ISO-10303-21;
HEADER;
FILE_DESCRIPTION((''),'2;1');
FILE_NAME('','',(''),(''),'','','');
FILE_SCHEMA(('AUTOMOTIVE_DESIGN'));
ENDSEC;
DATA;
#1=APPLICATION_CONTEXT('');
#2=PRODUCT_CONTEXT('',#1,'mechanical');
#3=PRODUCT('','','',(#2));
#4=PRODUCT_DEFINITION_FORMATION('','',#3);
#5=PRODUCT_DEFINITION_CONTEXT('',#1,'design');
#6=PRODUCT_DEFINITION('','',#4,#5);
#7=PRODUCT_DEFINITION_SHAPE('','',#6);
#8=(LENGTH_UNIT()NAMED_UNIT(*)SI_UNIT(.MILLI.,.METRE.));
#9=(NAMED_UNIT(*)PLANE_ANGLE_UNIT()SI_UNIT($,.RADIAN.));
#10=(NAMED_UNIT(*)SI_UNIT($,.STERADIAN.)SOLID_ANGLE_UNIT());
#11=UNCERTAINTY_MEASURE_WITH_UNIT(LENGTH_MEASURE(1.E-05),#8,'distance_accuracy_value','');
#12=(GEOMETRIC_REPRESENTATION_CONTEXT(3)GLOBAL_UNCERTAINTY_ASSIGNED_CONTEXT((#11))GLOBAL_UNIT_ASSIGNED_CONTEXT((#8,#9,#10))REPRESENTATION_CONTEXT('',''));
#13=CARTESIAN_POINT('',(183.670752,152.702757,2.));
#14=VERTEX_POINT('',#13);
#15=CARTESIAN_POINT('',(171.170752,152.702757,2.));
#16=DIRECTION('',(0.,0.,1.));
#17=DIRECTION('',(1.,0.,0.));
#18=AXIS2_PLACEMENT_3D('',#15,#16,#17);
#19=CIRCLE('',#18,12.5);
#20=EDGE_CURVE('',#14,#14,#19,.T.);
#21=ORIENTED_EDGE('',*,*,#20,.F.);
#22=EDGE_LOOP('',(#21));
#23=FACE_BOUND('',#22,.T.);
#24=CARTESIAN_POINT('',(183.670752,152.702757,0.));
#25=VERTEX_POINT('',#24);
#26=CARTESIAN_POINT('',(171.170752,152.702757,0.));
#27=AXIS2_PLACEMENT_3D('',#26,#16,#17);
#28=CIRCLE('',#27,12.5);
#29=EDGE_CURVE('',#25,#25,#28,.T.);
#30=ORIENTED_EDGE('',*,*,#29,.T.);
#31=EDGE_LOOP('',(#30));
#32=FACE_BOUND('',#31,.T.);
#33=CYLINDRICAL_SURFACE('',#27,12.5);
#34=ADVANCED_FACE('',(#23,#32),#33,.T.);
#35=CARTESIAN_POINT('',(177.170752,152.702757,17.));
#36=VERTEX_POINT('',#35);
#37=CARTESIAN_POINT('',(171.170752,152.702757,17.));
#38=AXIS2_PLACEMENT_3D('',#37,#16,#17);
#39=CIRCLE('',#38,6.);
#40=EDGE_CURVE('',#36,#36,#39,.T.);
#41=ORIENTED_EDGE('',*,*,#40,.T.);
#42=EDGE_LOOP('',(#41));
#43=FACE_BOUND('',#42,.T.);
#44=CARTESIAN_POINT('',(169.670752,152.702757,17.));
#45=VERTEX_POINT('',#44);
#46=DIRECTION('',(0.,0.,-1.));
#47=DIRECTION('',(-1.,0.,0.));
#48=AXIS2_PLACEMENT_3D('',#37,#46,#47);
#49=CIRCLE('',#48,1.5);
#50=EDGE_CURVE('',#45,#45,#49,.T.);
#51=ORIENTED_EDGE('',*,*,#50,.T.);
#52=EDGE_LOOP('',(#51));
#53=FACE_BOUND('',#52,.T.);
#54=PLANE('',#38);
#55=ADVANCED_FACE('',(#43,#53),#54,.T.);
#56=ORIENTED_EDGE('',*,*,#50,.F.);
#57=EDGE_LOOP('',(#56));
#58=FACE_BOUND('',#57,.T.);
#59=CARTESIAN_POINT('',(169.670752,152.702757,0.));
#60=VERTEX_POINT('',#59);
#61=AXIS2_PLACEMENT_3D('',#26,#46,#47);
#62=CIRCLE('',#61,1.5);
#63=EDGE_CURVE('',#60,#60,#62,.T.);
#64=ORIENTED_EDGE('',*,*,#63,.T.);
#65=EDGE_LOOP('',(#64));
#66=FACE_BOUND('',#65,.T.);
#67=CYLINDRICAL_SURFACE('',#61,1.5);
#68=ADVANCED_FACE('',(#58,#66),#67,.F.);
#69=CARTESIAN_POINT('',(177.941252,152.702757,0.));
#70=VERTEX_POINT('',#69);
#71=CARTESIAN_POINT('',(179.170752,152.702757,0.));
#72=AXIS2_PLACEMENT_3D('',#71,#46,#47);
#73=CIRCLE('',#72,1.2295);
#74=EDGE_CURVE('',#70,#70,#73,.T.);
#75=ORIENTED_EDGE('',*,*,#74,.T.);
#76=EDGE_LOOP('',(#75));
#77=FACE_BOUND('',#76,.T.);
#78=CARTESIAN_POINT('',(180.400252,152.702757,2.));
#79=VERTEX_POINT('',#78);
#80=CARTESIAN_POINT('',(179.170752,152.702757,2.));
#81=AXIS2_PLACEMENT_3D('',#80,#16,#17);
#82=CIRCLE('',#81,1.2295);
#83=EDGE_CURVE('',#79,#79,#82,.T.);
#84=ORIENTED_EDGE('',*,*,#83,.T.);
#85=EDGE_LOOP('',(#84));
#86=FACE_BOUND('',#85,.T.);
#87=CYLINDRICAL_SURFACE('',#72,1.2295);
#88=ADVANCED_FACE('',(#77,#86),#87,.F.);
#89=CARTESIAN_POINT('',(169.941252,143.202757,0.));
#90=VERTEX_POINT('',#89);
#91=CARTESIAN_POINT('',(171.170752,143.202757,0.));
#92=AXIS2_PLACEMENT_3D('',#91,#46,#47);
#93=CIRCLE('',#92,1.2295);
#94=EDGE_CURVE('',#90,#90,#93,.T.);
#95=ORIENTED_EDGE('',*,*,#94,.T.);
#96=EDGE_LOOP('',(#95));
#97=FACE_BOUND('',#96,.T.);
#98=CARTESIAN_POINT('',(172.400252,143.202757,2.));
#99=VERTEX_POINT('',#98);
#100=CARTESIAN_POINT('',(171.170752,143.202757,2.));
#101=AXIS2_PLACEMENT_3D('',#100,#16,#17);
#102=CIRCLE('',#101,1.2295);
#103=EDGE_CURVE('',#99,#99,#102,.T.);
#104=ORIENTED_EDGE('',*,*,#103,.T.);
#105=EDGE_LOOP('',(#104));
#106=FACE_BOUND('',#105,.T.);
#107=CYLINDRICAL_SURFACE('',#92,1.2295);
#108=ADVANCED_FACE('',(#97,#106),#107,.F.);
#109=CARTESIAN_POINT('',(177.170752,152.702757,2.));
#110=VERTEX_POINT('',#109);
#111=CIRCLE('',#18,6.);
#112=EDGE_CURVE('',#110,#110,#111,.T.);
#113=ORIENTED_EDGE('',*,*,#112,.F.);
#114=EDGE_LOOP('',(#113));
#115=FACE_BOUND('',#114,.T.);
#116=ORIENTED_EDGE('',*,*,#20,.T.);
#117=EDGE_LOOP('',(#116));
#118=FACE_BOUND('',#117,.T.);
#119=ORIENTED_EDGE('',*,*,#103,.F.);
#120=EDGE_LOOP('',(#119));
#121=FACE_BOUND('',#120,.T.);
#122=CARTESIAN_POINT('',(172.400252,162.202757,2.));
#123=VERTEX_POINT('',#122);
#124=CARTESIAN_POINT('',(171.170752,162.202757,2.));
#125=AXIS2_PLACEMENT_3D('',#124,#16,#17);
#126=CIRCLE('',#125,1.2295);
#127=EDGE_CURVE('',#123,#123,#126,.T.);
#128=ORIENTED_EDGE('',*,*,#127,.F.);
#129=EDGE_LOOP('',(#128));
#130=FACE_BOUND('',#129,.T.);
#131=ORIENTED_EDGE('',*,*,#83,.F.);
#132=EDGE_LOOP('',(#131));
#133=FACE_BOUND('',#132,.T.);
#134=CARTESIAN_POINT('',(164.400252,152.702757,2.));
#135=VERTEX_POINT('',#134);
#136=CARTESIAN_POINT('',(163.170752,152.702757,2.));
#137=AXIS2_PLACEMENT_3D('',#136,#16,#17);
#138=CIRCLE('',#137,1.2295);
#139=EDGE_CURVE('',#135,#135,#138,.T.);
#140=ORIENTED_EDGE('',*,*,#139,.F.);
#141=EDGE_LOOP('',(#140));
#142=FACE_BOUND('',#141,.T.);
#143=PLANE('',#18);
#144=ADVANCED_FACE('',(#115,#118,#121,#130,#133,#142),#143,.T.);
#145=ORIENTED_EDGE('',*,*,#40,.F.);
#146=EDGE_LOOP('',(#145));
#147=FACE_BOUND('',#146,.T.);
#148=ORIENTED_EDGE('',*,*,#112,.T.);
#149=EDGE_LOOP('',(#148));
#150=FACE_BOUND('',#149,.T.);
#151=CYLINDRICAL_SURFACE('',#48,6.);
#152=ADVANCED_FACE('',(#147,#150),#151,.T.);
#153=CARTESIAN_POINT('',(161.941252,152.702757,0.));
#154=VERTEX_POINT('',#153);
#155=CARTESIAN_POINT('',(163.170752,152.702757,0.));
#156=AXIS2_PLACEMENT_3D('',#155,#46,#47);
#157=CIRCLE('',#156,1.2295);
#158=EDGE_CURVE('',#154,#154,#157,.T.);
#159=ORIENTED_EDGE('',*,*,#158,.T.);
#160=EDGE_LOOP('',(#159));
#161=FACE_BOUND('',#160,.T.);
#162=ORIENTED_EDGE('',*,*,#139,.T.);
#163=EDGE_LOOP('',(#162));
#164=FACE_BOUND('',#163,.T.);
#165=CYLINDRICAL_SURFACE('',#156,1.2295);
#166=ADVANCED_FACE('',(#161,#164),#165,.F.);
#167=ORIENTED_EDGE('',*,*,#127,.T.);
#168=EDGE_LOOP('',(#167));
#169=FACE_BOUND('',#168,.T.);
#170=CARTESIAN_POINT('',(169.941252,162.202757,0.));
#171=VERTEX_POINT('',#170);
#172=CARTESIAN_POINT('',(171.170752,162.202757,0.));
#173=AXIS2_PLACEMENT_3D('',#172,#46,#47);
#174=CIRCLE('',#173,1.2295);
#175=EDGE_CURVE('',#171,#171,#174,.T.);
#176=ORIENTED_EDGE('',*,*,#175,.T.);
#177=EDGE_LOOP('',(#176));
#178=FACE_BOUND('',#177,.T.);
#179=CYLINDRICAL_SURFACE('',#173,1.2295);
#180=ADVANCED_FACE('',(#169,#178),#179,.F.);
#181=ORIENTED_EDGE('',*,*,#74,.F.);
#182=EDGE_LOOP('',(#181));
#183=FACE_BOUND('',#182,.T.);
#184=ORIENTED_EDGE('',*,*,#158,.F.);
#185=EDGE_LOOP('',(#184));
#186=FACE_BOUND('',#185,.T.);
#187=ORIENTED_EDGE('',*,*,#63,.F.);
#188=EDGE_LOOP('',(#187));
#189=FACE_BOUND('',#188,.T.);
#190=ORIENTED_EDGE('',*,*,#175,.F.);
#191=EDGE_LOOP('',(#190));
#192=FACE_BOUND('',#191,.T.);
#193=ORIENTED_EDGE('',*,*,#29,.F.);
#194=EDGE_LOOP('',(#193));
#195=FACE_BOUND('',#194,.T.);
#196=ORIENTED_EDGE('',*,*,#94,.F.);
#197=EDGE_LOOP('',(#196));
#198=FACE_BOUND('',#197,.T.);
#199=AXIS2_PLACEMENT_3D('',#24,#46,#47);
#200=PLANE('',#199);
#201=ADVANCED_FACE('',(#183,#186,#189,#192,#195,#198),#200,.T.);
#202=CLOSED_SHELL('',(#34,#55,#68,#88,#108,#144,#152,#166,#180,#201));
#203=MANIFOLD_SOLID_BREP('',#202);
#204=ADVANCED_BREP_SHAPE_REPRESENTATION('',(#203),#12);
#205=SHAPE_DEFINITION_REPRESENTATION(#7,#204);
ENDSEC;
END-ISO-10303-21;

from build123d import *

# Parameters (mm, degrees)
ESQUISSE1_W                   = 12.5
ESQUISSE1_H                   = 2
ESQUISSE2_R                   = 6
BOSS_EXTRU_1_DEPTH            = 15
DIAM_TRE_DU_PER_AGE_3_0_3_1_D = 3
D_GAGEMENT_M21_D              = 2.459
D_GAGEMENT_M21_DEPTH          = 17


with BuildPart() as part:
    # Esquisse1 → Révolution1 (revolve)
    with BuildSketch(Plane(origin=(0, 152.70275651, 0), x_dir=(1, 0, 0), z_dir=(0, 1, 0))):
        with Locations((177.420752313, -1)):
            Rectangle(ESQUISSE1_W, ESQUISSE1_H)
    revolve(axis=Axis((171.170752313, 152.70275651, 0), (0, 0, 1)))

    # Esquisse2 → Boss.-Extru.1 (add)
    with BuildSketch(Plane.XY.offset(2)):
        with Locations((171.170752313, 152.70275651)):
            Circle(ESQUISSE2_R)
    extrude(amount=BOSS_EXTRU_1_DEPTH)

    # Diamètre du perçage Ø3.0 (3)1 (through all)
    with Locations(Plane(origin=(0, 0, 0), x_dir=(-1, 0, 0), z_dir=(0, 0, -1))):
        with Locations((-171.170752313, 152.70275651)):
            Hole(DIAM_TRE_DU_PER_AGE_3_0_3_1_D / 2)

    # Dégagement M21
    with Locations(Plane(origin=(0, 0, 0), x_dir=(-1, 0, 0), z_dir=(0, 0, -1))):
        with Locations((-179.170752313, 152.70275651), (-163.170752313, 152.70275651), (-171.170752313, 162.20275651), (-171.170752313, 143.20275651)):
            Hole(D_GAGEMENT_M21_D / 2, depth=D_GAGEMENT_M21_DEPTH)


solid = part.part
